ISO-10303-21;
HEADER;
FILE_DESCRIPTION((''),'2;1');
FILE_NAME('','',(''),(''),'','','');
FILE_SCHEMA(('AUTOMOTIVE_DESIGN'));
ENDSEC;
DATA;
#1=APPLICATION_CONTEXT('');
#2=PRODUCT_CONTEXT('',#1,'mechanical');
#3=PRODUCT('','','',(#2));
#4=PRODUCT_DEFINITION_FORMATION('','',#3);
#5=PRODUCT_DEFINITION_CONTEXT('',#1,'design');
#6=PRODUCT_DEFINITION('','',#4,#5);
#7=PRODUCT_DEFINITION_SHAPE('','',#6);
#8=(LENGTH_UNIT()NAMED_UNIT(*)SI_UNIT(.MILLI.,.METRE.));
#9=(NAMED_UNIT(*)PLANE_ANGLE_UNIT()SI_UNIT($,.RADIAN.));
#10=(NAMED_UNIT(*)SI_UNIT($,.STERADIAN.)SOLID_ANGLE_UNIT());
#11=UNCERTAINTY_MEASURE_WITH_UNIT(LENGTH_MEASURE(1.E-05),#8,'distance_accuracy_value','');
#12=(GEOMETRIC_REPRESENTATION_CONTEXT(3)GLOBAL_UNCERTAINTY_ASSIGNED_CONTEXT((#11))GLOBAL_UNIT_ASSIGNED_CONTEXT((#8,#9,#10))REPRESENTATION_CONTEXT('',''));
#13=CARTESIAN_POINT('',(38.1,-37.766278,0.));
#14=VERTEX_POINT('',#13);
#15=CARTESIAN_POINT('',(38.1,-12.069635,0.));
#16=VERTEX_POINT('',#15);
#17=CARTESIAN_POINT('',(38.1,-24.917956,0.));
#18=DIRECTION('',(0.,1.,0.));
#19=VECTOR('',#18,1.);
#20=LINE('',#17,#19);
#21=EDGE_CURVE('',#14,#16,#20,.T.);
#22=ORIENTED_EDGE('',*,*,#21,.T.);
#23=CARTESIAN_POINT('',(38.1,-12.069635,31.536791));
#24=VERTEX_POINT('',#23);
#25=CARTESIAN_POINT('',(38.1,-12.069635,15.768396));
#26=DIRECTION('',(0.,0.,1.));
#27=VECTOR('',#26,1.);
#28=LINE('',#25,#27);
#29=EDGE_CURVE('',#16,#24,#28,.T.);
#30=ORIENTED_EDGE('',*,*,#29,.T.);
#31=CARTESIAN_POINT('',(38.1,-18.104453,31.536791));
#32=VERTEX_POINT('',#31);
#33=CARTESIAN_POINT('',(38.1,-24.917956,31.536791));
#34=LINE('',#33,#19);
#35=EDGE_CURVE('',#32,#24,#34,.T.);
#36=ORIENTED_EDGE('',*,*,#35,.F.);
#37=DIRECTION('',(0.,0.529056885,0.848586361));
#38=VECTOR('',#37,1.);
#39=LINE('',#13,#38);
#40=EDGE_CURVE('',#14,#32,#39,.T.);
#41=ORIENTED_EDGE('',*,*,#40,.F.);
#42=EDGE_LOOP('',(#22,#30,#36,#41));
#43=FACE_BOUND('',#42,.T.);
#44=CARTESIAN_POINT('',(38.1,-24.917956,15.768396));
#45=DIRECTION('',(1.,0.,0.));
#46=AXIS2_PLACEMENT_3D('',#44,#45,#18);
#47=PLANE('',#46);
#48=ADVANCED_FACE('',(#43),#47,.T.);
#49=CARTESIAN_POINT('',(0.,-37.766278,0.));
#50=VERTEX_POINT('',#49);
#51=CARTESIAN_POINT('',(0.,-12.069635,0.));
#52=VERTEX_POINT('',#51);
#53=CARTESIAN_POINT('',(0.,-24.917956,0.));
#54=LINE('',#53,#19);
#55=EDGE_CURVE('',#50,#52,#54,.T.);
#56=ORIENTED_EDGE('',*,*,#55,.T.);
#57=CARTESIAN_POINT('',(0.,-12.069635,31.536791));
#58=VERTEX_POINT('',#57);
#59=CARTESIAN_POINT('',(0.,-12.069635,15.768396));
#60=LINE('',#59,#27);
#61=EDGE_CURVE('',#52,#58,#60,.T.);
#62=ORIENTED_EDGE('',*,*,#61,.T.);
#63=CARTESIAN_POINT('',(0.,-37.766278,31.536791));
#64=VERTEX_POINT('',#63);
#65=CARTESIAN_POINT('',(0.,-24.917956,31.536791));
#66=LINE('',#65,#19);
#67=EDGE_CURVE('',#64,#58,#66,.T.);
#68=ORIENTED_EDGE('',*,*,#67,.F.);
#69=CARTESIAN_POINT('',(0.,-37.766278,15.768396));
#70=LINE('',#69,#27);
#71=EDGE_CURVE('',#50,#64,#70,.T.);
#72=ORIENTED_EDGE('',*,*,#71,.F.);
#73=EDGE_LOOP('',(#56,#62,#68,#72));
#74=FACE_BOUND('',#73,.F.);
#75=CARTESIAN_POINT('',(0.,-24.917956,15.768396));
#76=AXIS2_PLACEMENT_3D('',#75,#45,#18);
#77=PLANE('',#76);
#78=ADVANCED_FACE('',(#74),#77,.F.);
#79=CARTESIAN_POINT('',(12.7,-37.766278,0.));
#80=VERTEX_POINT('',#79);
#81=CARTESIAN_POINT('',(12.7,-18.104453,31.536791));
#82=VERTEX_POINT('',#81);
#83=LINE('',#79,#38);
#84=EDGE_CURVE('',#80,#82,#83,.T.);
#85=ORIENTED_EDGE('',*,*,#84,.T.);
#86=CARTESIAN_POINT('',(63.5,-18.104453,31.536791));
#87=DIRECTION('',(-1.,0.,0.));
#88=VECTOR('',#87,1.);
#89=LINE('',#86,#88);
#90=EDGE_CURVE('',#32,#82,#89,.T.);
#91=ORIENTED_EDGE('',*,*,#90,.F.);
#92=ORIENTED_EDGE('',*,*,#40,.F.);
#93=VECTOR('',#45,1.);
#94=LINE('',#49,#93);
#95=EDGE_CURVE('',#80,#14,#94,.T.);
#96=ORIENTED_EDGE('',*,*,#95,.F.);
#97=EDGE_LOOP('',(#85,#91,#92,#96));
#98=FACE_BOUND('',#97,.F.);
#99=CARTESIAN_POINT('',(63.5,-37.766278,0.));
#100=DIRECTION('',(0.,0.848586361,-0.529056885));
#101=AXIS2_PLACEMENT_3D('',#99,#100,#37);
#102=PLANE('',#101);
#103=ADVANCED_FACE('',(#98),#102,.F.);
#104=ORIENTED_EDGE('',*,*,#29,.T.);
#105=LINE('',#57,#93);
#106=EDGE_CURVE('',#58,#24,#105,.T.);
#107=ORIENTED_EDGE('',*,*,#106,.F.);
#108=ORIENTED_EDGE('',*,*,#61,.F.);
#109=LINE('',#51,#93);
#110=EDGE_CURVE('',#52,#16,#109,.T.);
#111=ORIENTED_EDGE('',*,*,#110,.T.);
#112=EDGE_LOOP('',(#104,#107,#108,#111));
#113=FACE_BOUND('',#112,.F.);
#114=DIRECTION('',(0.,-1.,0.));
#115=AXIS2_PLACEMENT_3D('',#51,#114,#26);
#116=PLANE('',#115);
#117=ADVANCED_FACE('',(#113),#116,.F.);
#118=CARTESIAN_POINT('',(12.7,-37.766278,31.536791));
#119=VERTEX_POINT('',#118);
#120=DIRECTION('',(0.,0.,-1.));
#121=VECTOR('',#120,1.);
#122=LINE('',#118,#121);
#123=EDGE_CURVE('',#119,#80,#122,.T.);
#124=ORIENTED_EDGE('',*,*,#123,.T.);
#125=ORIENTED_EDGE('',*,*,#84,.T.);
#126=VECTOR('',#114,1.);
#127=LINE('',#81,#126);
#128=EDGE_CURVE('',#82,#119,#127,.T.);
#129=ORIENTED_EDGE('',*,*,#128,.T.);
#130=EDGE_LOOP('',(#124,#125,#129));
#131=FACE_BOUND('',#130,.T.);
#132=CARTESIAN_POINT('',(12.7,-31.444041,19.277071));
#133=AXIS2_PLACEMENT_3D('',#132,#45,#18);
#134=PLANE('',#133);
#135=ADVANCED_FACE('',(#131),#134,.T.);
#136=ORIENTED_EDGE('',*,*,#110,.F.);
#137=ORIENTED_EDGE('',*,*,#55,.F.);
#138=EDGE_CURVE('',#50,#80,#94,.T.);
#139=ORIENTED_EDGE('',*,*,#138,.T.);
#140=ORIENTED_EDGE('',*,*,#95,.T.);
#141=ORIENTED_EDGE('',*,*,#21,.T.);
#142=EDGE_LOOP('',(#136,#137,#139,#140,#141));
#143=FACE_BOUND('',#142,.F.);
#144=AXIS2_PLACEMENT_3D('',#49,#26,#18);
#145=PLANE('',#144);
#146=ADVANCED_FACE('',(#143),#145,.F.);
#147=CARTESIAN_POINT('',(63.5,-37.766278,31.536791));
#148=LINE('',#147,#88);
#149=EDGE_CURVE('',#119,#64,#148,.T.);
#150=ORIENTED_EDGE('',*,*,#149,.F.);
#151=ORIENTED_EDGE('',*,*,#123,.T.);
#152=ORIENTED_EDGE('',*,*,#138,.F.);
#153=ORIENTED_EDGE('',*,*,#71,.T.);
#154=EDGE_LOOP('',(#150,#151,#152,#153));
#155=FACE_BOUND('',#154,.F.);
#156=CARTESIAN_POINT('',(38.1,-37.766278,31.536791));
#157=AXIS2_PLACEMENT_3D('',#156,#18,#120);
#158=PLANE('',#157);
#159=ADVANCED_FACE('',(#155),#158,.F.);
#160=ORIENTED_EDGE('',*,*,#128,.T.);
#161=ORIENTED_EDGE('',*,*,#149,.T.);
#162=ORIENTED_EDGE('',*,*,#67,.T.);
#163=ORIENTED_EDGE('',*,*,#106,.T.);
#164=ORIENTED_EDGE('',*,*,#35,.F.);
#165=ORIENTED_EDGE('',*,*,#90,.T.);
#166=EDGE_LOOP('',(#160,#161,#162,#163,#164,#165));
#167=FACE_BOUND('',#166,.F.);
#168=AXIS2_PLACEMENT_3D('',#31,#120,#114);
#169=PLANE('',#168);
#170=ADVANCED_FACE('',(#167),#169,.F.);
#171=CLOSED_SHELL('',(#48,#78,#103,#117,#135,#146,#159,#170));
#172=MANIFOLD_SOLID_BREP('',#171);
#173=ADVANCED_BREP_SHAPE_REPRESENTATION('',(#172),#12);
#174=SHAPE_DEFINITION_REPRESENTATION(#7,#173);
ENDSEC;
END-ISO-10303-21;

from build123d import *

# Parameters (mm, degrees)
F0_W     = 25.6966426969
F0_H     = 31.5367914736
F1_DEPTH = 38.1
F3_DEPTH = 25.4
F4_DEPTH = 50.8


with BuildPart() as f1:
    # F0 (on Right) → F1 (new body)
    with BuildSketch(Plane.YZ):
        with Locations((-24.9179564416, 15.7683957368)):
            Rectangle(F0_W, F0_H)
    extrude(amount=F1_DEPTH)

    # F2 (on face) → F3 (join)
    with BuildSketch(Plane.YZ.offset(38.1)):
        Polygon((-37.7662777901, 0), (-18.1044526398, 31.5367914736), (-37.7662777901, 31.5367914736), align=None)
    extrude(amount=F3_DEPTH)

    # F4 (cut): a face of the model
    f4_faces = [f1.faces().sort_by_distance(p)[0] for p in [
        (63.5, -31.2123360733, 21.0245276491),
    ]]
    extrude(f4_faces, amount=-F4_DEPTH, mode=Mode.SUBTRACT)


solid = f1.part
